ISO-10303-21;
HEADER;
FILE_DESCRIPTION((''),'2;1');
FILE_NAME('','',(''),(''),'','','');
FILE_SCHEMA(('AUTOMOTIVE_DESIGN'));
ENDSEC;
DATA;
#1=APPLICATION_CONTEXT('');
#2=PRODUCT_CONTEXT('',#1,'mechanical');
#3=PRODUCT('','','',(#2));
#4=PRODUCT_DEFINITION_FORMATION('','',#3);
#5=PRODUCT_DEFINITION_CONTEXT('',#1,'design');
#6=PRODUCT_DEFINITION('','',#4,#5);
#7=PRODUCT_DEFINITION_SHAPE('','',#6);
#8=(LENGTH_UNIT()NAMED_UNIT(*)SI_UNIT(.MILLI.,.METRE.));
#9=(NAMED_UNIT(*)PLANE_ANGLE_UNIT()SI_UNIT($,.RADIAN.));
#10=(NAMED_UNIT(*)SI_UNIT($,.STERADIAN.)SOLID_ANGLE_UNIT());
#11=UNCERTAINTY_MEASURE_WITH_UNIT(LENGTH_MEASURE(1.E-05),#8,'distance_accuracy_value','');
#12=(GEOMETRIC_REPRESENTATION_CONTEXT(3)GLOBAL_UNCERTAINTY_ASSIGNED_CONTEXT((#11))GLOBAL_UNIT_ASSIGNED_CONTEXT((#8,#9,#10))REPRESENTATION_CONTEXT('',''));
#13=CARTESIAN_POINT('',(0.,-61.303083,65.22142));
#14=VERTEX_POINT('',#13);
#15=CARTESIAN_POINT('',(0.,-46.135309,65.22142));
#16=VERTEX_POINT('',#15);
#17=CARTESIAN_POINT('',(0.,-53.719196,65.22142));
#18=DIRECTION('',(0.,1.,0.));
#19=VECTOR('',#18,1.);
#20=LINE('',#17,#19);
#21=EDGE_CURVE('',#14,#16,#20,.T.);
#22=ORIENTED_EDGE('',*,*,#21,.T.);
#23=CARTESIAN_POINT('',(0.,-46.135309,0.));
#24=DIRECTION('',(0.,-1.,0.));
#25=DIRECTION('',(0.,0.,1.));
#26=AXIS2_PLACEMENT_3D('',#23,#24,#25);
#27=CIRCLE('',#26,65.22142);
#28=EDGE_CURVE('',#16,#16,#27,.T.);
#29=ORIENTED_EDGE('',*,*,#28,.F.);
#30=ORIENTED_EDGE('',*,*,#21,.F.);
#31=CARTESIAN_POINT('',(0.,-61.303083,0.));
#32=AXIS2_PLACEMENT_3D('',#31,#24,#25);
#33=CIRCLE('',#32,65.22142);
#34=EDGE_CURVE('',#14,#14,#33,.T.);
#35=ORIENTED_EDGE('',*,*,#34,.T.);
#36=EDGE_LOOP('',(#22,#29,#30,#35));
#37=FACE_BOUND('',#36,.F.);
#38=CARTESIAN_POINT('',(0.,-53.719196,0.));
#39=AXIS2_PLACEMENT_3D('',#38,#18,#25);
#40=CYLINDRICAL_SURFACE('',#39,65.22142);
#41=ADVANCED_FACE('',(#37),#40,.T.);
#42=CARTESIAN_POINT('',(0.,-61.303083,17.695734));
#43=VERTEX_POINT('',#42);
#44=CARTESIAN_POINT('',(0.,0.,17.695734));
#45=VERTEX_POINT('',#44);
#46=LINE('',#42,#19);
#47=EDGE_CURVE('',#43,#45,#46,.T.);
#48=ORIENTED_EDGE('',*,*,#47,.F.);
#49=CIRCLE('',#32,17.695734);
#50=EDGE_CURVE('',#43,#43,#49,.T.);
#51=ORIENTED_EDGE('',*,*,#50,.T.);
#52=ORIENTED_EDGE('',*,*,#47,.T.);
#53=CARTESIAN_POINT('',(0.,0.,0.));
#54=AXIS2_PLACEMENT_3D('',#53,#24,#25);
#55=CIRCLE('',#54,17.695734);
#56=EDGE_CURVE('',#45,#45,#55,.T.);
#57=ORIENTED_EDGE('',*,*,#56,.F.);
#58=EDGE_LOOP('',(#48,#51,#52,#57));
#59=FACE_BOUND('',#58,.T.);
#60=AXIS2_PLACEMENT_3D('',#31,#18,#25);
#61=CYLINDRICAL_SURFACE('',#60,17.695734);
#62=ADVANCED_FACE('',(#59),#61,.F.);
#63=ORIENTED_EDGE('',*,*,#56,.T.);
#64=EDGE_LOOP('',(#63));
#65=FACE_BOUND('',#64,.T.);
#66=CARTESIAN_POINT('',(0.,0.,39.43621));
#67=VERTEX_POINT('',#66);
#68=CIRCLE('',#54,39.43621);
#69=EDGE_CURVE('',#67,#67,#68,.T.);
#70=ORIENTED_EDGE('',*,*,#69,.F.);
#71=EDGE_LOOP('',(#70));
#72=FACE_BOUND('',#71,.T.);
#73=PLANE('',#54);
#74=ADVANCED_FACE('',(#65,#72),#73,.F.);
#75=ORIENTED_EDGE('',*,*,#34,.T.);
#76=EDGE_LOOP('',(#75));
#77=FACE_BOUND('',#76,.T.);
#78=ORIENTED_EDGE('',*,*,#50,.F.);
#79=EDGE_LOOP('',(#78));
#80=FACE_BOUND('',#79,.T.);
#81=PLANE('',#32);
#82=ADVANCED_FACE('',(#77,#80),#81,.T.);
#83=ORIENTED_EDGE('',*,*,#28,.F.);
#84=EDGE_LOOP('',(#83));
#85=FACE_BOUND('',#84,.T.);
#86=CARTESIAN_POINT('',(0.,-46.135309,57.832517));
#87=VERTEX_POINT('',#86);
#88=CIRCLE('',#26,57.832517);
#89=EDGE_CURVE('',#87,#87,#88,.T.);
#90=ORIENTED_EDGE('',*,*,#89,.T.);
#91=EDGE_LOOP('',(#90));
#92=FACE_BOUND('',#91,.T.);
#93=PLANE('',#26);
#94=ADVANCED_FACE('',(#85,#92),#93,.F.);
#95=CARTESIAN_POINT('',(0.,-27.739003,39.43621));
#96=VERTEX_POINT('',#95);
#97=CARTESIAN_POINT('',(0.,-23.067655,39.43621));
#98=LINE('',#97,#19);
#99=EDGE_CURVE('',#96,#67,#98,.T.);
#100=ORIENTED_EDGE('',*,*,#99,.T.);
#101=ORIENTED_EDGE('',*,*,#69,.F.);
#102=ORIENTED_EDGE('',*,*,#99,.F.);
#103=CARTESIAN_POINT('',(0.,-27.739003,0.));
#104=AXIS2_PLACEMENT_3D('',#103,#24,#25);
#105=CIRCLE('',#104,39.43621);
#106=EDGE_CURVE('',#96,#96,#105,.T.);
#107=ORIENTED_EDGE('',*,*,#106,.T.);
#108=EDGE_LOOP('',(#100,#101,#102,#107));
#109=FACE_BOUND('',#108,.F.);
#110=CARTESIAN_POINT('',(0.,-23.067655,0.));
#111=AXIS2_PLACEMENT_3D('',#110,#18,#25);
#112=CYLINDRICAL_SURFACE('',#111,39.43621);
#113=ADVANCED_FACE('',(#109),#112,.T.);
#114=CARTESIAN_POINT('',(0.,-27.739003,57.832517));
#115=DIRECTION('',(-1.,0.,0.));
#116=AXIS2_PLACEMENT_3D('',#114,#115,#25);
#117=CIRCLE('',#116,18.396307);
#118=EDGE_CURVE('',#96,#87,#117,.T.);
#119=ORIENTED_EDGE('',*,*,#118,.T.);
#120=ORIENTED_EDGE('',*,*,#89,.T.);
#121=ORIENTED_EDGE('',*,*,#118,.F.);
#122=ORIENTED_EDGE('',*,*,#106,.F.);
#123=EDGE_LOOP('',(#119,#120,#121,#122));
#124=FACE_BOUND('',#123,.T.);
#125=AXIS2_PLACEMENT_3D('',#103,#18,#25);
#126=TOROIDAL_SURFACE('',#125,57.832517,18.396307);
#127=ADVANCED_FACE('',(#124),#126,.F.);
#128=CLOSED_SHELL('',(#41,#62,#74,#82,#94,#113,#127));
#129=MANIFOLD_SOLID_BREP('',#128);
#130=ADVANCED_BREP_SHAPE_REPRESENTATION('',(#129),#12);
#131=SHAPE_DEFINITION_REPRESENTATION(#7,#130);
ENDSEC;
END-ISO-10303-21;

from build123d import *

# Parameters (mm, degrees)
F0_W   = 15.167773
F0_H   = 25.785211
F0_H_2 = 21.740476
F0_W_2 = 46.13531
F2_R   = 18.396307


with BuildPart() as f1:
    # F0 (on Right) → F1 (revolve)
    with BuildSketch(Plane.YZ):
        with Locations((-53.719196, 52.328815)):
            Rectangle(F0_W, F0_H)
        with Locations((-53.719196, 28.565972)):
            Rectangle(F0_W, F0_H_2)
        with Locations((-23.067655, 28.565972)):
            Rectangle(F0_W_2, F0_H_2)
    revolve(axis=Axis((0, -30.651541, 0), (0, -1, 0)))

    # F2
    f2_edges = [f1.edges().sort_by_distance(p)[0] for p in [
        (0, -46.13531, -39.43621),
    ]]
    fillet(f2_edges, radius=F2_R)


solid = f1.part
